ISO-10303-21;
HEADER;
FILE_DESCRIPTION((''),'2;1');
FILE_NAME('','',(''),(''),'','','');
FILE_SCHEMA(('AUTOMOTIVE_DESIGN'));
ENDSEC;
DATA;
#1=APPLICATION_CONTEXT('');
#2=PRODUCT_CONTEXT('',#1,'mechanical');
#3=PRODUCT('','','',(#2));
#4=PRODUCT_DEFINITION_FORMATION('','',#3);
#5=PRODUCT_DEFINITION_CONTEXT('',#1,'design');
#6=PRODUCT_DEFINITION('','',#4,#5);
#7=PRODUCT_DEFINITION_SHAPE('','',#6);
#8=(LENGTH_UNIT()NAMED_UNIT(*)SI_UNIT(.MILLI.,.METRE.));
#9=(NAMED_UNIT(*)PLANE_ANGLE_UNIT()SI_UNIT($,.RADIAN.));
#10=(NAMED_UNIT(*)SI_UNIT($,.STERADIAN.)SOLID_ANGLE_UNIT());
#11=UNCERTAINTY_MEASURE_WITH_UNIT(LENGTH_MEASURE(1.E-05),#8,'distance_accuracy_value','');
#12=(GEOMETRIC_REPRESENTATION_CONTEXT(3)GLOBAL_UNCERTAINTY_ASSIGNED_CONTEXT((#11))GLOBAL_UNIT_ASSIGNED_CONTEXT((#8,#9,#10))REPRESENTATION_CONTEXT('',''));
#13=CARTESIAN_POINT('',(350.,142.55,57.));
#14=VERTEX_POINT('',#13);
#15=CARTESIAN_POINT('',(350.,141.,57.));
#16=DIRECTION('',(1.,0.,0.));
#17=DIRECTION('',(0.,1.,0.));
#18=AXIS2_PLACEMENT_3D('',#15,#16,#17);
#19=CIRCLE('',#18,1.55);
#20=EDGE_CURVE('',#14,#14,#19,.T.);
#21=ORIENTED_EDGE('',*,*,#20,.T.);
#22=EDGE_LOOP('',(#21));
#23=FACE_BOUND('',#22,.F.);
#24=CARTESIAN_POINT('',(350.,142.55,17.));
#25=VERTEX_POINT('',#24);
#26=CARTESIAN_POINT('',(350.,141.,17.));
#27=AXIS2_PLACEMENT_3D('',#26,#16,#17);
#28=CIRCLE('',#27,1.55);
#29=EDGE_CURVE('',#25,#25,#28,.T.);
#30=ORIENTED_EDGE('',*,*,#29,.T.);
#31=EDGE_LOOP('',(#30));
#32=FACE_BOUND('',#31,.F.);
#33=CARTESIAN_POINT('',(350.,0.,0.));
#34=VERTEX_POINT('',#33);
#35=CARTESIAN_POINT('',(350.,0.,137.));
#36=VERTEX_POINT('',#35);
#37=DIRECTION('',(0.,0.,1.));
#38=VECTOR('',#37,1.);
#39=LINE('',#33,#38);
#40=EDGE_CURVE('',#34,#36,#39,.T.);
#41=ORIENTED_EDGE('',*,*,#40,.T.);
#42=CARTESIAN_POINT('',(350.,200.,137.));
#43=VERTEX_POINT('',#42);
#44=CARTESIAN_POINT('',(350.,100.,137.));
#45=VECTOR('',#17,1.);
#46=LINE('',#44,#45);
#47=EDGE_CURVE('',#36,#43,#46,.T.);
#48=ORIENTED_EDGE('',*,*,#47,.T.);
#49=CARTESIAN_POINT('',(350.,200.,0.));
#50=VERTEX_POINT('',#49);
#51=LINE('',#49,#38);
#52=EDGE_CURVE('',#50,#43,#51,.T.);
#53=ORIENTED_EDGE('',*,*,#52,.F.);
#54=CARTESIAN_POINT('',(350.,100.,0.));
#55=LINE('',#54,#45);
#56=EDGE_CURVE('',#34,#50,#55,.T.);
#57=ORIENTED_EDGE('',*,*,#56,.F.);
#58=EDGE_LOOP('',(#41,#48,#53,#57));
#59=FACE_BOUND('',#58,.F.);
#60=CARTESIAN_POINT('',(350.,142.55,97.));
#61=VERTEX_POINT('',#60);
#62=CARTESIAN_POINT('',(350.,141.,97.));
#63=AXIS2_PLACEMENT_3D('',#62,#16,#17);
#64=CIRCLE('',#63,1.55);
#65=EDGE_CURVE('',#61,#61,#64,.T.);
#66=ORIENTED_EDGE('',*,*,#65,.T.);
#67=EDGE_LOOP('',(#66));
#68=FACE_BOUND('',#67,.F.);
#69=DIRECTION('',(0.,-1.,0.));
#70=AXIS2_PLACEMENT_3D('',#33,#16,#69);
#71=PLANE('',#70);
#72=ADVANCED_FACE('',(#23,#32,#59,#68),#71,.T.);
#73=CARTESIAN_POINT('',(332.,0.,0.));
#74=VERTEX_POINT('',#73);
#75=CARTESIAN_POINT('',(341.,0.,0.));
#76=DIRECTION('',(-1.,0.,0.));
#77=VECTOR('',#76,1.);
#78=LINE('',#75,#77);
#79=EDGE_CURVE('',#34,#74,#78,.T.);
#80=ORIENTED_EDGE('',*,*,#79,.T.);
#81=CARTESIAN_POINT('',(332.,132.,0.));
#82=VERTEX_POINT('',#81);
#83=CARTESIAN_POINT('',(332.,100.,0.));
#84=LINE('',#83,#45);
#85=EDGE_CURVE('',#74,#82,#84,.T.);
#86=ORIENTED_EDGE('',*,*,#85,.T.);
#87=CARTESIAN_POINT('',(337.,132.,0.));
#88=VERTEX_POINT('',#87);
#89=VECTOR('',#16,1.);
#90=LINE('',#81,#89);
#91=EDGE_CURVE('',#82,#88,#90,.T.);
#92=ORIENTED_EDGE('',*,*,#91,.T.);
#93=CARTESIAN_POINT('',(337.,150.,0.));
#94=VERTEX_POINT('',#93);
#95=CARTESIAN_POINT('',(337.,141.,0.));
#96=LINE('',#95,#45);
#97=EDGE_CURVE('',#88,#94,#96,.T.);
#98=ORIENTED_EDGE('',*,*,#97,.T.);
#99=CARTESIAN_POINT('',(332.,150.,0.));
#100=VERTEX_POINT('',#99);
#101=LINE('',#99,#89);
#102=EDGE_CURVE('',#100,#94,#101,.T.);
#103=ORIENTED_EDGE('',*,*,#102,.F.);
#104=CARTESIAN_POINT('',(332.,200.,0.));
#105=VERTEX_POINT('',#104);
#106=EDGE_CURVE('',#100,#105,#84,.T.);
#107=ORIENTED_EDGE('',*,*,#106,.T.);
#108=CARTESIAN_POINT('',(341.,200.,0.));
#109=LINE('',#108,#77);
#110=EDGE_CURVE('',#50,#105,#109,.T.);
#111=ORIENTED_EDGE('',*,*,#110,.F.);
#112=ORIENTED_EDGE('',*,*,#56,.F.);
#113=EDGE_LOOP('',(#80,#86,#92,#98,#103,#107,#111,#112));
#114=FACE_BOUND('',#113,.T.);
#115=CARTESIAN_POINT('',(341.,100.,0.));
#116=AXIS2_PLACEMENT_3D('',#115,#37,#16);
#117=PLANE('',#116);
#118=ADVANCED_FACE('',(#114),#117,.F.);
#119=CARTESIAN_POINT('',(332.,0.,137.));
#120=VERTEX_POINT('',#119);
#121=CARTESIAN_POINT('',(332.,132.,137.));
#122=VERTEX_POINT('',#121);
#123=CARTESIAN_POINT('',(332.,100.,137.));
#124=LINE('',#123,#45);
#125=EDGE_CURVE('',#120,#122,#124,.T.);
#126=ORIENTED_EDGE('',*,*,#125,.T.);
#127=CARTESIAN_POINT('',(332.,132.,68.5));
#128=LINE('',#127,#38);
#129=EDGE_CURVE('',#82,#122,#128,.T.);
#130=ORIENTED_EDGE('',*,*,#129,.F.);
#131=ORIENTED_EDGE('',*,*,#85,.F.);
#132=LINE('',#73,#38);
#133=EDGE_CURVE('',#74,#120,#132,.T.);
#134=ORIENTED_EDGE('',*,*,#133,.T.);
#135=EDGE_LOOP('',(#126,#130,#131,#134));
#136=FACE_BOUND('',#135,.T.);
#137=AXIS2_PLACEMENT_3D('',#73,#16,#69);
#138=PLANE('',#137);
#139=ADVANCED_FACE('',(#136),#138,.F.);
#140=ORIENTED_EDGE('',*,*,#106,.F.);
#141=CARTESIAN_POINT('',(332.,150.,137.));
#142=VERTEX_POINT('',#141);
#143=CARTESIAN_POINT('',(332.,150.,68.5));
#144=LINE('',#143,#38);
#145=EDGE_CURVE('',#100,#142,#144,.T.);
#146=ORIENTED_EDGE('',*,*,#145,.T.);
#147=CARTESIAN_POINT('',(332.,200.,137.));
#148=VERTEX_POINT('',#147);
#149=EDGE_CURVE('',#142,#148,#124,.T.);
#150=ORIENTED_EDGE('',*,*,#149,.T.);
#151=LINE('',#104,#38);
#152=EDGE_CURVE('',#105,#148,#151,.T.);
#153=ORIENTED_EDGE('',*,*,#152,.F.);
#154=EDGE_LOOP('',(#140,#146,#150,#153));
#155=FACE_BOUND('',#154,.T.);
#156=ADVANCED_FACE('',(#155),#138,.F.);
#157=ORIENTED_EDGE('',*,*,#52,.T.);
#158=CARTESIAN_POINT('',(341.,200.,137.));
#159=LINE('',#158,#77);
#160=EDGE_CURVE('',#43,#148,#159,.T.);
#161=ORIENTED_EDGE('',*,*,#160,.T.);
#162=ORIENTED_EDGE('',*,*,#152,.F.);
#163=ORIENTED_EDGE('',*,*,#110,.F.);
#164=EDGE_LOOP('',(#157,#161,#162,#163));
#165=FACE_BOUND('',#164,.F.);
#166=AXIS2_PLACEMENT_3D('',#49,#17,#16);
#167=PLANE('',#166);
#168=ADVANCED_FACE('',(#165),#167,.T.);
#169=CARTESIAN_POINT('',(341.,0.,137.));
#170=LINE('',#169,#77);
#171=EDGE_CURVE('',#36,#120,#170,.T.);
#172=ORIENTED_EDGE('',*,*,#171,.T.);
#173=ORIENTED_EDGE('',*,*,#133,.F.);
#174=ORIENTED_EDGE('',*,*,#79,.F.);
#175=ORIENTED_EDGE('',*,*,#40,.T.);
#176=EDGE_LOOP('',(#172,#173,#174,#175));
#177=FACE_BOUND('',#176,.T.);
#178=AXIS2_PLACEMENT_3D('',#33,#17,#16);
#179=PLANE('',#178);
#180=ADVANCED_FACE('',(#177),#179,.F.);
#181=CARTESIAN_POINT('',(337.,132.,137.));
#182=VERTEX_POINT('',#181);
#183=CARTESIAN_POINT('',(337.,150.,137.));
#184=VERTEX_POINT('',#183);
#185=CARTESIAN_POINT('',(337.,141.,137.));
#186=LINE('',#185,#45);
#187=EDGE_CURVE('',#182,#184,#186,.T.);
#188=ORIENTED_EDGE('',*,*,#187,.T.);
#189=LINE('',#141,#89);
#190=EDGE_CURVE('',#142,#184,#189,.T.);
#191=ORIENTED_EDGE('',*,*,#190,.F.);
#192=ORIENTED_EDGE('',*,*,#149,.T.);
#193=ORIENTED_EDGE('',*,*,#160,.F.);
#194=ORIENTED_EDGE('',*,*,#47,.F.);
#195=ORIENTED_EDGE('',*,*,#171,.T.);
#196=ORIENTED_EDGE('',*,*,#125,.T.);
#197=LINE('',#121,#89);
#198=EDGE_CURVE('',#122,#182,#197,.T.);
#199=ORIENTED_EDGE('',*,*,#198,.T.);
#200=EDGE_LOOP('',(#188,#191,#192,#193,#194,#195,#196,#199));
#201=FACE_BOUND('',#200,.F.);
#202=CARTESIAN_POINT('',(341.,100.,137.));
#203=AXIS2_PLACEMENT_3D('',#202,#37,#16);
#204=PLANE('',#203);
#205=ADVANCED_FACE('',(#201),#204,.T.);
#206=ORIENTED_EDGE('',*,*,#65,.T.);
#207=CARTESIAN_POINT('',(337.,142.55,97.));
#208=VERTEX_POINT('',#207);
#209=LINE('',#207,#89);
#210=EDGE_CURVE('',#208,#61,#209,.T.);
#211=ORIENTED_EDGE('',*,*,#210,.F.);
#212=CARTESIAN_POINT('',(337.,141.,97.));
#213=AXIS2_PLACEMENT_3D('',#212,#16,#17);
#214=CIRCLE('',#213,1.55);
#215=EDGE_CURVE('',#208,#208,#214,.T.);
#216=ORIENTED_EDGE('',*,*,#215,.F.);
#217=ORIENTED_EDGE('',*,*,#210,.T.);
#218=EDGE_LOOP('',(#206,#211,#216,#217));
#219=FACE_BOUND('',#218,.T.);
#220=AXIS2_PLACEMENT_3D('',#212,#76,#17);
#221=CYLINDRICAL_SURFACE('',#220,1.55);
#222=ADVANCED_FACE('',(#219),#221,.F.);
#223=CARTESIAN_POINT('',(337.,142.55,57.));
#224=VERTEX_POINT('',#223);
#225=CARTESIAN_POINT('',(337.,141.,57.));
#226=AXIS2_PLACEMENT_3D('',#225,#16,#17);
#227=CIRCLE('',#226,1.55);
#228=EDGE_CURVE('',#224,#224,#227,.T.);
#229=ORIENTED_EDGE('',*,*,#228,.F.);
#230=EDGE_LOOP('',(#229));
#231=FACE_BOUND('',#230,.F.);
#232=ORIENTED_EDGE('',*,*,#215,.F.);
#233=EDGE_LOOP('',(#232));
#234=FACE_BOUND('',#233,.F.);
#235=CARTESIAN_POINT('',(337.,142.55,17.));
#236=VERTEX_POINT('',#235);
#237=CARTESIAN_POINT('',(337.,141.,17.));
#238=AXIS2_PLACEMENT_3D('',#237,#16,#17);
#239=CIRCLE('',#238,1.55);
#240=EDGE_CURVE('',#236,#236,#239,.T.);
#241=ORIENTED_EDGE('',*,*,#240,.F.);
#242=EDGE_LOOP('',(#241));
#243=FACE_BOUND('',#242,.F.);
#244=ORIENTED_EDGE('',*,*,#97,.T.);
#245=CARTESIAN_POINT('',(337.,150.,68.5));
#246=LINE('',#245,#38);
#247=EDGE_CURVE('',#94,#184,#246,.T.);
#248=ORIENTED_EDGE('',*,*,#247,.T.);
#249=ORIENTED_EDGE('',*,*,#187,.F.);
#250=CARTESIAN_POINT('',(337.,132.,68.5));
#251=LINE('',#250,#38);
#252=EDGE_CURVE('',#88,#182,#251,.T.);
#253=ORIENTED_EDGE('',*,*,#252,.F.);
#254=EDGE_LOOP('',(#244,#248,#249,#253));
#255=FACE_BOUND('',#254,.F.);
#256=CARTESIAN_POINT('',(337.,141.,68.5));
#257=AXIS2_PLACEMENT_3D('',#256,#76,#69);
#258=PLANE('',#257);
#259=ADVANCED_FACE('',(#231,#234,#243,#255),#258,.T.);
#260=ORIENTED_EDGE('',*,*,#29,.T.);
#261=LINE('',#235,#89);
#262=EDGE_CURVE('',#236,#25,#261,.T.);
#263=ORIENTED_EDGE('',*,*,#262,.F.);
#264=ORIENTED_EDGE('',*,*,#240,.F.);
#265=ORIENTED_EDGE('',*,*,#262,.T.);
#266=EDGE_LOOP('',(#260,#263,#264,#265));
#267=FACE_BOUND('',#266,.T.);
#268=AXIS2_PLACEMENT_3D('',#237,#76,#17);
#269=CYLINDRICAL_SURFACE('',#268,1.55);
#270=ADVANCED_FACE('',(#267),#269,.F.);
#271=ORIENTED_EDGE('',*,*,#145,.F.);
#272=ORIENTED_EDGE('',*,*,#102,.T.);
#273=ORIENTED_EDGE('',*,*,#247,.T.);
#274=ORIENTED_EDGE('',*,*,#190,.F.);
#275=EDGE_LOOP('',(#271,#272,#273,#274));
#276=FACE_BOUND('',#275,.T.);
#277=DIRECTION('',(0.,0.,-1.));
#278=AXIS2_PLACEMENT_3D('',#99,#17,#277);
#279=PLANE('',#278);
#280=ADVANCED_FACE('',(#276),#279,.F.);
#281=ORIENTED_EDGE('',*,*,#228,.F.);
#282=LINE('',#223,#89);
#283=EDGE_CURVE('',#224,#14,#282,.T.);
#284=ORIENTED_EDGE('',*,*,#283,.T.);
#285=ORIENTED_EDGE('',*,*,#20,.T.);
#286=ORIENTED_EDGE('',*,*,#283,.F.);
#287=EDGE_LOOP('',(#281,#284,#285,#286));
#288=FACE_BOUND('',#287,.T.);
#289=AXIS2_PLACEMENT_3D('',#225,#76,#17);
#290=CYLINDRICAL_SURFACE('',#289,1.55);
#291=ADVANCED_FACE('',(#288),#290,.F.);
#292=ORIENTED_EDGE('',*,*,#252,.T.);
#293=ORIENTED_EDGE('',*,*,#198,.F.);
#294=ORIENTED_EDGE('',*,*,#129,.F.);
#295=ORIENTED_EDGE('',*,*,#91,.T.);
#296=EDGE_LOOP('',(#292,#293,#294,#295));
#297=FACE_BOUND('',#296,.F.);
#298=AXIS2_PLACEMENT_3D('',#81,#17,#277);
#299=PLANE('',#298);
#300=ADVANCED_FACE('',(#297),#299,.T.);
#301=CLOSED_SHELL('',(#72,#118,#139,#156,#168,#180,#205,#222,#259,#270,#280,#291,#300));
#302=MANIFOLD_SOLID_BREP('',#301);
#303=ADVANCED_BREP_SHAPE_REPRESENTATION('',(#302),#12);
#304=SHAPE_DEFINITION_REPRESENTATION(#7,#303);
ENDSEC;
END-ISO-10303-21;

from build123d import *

# Parameters (mm, degrees)
BOX_W           = 18
BOX_H           = 200
BOX_DEPTH       = 137
SKETCH001_W     = 18
SKETCH001_H     = 137
POCKET001_DEPTH = 5
SKETCH003_R     = 1.55
HOLE_DEPTH      = 13.001


with BuildPart() as body002:
    # Box → Box (new body)
    with BuildSketch(Plane.XY):
        with Locations((9, 100)):
            Rectangle(BOX_W, BOX_H)
    extrude(amount=BOX_DEPTH)

    # Sketch001 (on Face2 of BaseFeature001) → Pocket001 (cut)
    with BuildSketch(Plane.YZ.offset(18)):
        with Locations((141, 68.5)):
            Rectangle(SKETCH001_W, SKETCH001_H)
    extrude(amount=-POCKET001_DEPTH, mode=Mode.SUBTRACT)

    # Sketch003 (on Face9 of Pocket001) → Hole (cut, through all)
    with BuildSketch(Plane.YZ.offset(13)):
        with Locations((141, 97)):
            Circle(SKETCH003_R)
        with Locations((141, 57)):
            Circle(SKETCH003_R)
        with Locations((141, 17)):
            Circle(SKETCH003_R)
    extrude(amount=-HOLE_DEPTH, mode=Mode.SUBTRACT)


with BuildPart() as rightleg:
    # Part__Mirroring: instance of Body002
    add(body002.part.mirror(Plane(origin=(0, 0, 0), x_dir=(0, -1, 0), z_dir=(1, 0, 0))))


with BuildPart() as rightleg_1:
    # Part__Mirroring placement: moved
    add(rightleg.part.moved(Location((350, 0, 0))))


solid = rightleg_1.part
